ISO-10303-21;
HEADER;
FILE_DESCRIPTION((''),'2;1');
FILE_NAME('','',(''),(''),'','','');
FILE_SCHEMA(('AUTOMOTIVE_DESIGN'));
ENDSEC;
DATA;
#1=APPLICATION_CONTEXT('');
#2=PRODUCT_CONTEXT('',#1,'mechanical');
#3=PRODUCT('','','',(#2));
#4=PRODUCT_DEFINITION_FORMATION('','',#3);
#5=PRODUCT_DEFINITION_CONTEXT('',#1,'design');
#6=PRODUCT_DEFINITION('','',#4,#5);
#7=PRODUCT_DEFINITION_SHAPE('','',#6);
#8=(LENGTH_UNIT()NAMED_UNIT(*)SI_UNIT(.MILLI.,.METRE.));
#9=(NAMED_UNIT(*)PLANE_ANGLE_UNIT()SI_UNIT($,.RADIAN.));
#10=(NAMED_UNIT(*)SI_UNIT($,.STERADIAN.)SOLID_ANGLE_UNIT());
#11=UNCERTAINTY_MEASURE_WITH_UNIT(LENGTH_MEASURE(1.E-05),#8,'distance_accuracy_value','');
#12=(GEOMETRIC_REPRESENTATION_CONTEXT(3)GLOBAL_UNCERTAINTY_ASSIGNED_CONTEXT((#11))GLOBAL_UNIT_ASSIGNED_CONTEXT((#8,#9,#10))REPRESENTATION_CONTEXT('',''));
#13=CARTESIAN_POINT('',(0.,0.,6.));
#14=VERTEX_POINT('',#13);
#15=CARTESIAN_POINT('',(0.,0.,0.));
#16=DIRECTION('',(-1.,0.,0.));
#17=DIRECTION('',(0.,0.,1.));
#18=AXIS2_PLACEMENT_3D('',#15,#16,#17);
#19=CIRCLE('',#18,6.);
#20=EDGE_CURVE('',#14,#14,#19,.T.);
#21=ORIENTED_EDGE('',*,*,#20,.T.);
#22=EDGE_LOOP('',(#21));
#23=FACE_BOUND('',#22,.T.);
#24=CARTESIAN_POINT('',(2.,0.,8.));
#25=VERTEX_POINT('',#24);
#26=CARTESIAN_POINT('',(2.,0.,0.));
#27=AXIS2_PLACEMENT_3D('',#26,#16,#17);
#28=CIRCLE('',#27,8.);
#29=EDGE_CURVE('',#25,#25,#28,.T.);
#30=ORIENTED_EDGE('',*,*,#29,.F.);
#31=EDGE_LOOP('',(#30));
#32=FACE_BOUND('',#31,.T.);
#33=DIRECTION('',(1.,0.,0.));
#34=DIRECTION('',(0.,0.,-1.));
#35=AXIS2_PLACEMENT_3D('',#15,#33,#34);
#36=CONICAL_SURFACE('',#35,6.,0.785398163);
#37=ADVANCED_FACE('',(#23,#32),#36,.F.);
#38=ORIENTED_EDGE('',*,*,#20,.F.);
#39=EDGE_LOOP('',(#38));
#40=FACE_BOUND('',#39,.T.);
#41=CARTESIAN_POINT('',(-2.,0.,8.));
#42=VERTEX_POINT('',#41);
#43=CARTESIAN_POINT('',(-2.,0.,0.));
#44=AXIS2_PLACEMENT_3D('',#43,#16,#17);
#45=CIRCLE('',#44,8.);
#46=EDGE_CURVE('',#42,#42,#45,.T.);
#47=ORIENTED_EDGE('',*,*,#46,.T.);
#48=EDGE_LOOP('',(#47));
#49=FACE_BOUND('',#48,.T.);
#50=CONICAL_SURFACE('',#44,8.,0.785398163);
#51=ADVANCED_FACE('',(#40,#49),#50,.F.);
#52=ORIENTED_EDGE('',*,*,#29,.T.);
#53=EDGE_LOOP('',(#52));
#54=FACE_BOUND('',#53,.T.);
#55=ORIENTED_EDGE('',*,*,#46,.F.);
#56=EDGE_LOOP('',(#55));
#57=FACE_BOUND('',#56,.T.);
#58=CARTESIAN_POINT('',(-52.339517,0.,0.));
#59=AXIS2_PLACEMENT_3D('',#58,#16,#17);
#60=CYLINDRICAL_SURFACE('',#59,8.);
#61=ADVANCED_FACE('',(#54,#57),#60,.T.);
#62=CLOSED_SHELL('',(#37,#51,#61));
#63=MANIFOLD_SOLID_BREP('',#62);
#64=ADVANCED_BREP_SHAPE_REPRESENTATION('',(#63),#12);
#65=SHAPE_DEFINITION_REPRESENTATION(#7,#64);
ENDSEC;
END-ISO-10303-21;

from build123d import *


with BuildPart() as part:
    # 草图1 → 旋转1 (revolve)
    with BuildSketch(Plane.XY, mode=Mode.PRIVATE) as revolve_1_sk:
        Polygon((0, 8), (2, 8), (0, 6), (-2, 8), align=None)
    revolve(revolve_1_sk.sketch.rotate(Axis((-52.339517094, 0, 0), (1, 0, 0)), 90), axis=Axis((-52.339517094, 0, 0), (1, 0, 0)))


solid = part.part
